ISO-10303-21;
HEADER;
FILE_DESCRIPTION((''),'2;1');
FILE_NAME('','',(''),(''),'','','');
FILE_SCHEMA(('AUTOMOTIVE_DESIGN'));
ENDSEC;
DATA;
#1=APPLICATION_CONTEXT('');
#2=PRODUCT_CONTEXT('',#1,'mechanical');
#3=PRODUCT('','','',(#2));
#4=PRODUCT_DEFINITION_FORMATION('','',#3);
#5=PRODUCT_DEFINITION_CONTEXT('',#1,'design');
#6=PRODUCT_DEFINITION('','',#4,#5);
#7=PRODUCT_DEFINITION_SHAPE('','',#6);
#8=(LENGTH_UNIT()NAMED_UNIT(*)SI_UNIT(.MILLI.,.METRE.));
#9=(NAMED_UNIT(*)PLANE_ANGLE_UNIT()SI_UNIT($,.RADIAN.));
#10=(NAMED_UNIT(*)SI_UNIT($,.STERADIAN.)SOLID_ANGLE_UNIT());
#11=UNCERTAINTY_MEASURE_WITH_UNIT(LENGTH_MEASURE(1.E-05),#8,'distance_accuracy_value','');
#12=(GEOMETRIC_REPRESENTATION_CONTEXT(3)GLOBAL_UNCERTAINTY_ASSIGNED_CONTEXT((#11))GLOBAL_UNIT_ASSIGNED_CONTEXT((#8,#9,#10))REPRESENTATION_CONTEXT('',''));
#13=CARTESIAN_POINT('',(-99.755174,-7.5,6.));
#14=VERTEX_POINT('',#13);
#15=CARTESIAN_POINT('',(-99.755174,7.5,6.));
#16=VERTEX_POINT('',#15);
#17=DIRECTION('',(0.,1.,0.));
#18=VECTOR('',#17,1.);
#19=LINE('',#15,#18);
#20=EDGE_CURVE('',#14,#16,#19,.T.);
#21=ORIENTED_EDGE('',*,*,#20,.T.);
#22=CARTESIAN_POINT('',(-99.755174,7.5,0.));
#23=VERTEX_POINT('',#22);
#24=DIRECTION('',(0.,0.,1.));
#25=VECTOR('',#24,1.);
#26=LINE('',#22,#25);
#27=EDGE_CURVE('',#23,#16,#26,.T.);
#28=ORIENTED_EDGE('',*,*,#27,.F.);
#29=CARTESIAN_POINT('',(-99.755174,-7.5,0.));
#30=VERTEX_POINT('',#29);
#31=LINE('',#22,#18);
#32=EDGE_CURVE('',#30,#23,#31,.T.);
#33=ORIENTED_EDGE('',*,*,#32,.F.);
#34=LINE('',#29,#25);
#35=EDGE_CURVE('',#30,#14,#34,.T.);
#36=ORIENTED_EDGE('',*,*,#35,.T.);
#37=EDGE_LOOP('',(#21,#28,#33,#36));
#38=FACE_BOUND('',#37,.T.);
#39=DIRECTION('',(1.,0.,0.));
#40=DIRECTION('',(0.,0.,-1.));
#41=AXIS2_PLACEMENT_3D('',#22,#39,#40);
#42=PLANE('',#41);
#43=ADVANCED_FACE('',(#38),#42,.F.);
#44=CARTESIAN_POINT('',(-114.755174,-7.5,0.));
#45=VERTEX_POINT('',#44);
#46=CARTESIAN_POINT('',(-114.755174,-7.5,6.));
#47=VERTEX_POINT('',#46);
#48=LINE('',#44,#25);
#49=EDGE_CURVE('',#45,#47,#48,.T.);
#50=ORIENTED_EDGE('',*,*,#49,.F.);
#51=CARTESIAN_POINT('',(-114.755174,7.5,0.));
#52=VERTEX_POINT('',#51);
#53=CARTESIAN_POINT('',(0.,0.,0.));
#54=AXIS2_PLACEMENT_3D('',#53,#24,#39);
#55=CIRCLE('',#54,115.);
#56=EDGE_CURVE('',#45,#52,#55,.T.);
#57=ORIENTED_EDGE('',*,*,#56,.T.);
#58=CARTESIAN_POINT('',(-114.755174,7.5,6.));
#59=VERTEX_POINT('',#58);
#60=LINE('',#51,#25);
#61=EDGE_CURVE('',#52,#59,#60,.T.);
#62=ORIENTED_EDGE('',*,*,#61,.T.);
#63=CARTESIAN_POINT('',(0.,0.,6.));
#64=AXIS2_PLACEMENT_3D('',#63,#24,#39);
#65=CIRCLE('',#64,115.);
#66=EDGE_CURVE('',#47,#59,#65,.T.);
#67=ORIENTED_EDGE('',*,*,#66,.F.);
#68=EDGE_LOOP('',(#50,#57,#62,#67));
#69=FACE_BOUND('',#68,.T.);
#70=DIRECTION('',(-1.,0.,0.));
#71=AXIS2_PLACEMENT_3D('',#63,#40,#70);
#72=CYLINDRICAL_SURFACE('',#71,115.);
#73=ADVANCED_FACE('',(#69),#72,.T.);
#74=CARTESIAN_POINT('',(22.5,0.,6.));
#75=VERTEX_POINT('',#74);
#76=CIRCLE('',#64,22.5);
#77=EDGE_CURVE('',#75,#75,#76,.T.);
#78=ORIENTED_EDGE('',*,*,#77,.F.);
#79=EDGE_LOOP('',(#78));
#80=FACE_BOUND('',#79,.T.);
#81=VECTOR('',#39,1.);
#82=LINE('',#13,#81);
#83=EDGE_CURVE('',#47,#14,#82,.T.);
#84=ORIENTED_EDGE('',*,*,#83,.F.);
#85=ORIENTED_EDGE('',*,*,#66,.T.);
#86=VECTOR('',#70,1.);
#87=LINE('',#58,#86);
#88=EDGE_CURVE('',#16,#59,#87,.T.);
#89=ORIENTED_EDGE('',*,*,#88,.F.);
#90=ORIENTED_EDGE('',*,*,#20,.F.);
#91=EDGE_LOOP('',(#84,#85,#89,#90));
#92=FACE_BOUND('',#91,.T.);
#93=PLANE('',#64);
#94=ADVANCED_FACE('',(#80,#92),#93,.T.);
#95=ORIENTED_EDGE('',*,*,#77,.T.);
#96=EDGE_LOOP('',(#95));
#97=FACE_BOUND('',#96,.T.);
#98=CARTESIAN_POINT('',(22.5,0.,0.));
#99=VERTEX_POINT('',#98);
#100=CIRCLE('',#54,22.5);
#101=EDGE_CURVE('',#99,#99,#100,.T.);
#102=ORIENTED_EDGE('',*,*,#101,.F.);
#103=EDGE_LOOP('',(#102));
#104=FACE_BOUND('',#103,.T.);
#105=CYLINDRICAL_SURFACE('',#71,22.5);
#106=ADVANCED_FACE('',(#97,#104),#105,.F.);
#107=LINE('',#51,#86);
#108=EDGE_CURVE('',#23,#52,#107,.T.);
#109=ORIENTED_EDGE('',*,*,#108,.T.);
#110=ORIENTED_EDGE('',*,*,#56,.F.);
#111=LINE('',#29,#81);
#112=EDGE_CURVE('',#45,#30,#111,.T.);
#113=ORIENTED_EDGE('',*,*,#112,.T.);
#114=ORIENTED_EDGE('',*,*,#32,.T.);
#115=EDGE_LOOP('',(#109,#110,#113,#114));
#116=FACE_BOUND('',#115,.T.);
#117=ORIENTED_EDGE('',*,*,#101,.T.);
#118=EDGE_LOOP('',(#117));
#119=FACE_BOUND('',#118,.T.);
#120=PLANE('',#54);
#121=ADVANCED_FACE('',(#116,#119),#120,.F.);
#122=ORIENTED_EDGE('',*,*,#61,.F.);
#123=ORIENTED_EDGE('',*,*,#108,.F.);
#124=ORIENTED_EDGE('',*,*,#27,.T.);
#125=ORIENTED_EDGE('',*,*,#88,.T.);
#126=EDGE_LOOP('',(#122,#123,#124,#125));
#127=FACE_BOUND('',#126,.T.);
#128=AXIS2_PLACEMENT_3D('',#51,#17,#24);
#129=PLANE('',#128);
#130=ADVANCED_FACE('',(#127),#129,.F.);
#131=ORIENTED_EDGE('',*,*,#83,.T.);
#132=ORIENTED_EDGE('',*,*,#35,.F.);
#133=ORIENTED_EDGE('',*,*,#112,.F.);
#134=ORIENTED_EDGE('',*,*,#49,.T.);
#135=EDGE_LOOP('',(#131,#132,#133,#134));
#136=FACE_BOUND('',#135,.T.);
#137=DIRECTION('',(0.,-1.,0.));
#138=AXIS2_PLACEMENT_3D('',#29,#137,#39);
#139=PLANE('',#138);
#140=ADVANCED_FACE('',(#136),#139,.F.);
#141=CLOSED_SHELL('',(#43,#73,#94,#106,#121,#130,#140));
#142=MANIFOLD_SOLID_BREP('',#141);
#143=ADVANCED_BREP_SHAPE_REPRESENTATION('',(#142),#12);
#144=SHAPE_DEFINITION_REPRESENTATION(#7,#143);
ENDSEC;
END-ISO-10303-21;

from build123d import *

# Parameters (mm, degrees)
ESQUISSE1_R             = 115
ESQUISSE1_R_2           = 22.5
BOSS_EXTRU_1_DEPTH      = 6
ENL_V_MAT_EXTRU_2_DEPTH = 6


with BuildPart() as part:
    # Esquisse1 → Boss.-Extru.1 (new body)
    with BuildSketch(Plane.XY):
        Circle(ESQUISSE1_R)
        Circle(ESQUISSE1_R_2, mode=Mode.SUBTRACT)
    extrude(amount=BOSS_EXTRU_1_DEPTH)

    # Esquisse2 → Enlèv. mat.-Extru.2 (cut)
    with BuildSketch(Plane.XY.offset(6)):
        Polygon((-114.755174175, 7.5), (-99.755174175, 7.5), (-99.755174175, -7.5), (-114.755174175, -7.5), (-126.610711634, 0), align=None)
    extrude(amount=-ENL_V_MAT_EXTRU_2_DEPTH, mode=Mode.SUBTRACT)


solid = part.part
